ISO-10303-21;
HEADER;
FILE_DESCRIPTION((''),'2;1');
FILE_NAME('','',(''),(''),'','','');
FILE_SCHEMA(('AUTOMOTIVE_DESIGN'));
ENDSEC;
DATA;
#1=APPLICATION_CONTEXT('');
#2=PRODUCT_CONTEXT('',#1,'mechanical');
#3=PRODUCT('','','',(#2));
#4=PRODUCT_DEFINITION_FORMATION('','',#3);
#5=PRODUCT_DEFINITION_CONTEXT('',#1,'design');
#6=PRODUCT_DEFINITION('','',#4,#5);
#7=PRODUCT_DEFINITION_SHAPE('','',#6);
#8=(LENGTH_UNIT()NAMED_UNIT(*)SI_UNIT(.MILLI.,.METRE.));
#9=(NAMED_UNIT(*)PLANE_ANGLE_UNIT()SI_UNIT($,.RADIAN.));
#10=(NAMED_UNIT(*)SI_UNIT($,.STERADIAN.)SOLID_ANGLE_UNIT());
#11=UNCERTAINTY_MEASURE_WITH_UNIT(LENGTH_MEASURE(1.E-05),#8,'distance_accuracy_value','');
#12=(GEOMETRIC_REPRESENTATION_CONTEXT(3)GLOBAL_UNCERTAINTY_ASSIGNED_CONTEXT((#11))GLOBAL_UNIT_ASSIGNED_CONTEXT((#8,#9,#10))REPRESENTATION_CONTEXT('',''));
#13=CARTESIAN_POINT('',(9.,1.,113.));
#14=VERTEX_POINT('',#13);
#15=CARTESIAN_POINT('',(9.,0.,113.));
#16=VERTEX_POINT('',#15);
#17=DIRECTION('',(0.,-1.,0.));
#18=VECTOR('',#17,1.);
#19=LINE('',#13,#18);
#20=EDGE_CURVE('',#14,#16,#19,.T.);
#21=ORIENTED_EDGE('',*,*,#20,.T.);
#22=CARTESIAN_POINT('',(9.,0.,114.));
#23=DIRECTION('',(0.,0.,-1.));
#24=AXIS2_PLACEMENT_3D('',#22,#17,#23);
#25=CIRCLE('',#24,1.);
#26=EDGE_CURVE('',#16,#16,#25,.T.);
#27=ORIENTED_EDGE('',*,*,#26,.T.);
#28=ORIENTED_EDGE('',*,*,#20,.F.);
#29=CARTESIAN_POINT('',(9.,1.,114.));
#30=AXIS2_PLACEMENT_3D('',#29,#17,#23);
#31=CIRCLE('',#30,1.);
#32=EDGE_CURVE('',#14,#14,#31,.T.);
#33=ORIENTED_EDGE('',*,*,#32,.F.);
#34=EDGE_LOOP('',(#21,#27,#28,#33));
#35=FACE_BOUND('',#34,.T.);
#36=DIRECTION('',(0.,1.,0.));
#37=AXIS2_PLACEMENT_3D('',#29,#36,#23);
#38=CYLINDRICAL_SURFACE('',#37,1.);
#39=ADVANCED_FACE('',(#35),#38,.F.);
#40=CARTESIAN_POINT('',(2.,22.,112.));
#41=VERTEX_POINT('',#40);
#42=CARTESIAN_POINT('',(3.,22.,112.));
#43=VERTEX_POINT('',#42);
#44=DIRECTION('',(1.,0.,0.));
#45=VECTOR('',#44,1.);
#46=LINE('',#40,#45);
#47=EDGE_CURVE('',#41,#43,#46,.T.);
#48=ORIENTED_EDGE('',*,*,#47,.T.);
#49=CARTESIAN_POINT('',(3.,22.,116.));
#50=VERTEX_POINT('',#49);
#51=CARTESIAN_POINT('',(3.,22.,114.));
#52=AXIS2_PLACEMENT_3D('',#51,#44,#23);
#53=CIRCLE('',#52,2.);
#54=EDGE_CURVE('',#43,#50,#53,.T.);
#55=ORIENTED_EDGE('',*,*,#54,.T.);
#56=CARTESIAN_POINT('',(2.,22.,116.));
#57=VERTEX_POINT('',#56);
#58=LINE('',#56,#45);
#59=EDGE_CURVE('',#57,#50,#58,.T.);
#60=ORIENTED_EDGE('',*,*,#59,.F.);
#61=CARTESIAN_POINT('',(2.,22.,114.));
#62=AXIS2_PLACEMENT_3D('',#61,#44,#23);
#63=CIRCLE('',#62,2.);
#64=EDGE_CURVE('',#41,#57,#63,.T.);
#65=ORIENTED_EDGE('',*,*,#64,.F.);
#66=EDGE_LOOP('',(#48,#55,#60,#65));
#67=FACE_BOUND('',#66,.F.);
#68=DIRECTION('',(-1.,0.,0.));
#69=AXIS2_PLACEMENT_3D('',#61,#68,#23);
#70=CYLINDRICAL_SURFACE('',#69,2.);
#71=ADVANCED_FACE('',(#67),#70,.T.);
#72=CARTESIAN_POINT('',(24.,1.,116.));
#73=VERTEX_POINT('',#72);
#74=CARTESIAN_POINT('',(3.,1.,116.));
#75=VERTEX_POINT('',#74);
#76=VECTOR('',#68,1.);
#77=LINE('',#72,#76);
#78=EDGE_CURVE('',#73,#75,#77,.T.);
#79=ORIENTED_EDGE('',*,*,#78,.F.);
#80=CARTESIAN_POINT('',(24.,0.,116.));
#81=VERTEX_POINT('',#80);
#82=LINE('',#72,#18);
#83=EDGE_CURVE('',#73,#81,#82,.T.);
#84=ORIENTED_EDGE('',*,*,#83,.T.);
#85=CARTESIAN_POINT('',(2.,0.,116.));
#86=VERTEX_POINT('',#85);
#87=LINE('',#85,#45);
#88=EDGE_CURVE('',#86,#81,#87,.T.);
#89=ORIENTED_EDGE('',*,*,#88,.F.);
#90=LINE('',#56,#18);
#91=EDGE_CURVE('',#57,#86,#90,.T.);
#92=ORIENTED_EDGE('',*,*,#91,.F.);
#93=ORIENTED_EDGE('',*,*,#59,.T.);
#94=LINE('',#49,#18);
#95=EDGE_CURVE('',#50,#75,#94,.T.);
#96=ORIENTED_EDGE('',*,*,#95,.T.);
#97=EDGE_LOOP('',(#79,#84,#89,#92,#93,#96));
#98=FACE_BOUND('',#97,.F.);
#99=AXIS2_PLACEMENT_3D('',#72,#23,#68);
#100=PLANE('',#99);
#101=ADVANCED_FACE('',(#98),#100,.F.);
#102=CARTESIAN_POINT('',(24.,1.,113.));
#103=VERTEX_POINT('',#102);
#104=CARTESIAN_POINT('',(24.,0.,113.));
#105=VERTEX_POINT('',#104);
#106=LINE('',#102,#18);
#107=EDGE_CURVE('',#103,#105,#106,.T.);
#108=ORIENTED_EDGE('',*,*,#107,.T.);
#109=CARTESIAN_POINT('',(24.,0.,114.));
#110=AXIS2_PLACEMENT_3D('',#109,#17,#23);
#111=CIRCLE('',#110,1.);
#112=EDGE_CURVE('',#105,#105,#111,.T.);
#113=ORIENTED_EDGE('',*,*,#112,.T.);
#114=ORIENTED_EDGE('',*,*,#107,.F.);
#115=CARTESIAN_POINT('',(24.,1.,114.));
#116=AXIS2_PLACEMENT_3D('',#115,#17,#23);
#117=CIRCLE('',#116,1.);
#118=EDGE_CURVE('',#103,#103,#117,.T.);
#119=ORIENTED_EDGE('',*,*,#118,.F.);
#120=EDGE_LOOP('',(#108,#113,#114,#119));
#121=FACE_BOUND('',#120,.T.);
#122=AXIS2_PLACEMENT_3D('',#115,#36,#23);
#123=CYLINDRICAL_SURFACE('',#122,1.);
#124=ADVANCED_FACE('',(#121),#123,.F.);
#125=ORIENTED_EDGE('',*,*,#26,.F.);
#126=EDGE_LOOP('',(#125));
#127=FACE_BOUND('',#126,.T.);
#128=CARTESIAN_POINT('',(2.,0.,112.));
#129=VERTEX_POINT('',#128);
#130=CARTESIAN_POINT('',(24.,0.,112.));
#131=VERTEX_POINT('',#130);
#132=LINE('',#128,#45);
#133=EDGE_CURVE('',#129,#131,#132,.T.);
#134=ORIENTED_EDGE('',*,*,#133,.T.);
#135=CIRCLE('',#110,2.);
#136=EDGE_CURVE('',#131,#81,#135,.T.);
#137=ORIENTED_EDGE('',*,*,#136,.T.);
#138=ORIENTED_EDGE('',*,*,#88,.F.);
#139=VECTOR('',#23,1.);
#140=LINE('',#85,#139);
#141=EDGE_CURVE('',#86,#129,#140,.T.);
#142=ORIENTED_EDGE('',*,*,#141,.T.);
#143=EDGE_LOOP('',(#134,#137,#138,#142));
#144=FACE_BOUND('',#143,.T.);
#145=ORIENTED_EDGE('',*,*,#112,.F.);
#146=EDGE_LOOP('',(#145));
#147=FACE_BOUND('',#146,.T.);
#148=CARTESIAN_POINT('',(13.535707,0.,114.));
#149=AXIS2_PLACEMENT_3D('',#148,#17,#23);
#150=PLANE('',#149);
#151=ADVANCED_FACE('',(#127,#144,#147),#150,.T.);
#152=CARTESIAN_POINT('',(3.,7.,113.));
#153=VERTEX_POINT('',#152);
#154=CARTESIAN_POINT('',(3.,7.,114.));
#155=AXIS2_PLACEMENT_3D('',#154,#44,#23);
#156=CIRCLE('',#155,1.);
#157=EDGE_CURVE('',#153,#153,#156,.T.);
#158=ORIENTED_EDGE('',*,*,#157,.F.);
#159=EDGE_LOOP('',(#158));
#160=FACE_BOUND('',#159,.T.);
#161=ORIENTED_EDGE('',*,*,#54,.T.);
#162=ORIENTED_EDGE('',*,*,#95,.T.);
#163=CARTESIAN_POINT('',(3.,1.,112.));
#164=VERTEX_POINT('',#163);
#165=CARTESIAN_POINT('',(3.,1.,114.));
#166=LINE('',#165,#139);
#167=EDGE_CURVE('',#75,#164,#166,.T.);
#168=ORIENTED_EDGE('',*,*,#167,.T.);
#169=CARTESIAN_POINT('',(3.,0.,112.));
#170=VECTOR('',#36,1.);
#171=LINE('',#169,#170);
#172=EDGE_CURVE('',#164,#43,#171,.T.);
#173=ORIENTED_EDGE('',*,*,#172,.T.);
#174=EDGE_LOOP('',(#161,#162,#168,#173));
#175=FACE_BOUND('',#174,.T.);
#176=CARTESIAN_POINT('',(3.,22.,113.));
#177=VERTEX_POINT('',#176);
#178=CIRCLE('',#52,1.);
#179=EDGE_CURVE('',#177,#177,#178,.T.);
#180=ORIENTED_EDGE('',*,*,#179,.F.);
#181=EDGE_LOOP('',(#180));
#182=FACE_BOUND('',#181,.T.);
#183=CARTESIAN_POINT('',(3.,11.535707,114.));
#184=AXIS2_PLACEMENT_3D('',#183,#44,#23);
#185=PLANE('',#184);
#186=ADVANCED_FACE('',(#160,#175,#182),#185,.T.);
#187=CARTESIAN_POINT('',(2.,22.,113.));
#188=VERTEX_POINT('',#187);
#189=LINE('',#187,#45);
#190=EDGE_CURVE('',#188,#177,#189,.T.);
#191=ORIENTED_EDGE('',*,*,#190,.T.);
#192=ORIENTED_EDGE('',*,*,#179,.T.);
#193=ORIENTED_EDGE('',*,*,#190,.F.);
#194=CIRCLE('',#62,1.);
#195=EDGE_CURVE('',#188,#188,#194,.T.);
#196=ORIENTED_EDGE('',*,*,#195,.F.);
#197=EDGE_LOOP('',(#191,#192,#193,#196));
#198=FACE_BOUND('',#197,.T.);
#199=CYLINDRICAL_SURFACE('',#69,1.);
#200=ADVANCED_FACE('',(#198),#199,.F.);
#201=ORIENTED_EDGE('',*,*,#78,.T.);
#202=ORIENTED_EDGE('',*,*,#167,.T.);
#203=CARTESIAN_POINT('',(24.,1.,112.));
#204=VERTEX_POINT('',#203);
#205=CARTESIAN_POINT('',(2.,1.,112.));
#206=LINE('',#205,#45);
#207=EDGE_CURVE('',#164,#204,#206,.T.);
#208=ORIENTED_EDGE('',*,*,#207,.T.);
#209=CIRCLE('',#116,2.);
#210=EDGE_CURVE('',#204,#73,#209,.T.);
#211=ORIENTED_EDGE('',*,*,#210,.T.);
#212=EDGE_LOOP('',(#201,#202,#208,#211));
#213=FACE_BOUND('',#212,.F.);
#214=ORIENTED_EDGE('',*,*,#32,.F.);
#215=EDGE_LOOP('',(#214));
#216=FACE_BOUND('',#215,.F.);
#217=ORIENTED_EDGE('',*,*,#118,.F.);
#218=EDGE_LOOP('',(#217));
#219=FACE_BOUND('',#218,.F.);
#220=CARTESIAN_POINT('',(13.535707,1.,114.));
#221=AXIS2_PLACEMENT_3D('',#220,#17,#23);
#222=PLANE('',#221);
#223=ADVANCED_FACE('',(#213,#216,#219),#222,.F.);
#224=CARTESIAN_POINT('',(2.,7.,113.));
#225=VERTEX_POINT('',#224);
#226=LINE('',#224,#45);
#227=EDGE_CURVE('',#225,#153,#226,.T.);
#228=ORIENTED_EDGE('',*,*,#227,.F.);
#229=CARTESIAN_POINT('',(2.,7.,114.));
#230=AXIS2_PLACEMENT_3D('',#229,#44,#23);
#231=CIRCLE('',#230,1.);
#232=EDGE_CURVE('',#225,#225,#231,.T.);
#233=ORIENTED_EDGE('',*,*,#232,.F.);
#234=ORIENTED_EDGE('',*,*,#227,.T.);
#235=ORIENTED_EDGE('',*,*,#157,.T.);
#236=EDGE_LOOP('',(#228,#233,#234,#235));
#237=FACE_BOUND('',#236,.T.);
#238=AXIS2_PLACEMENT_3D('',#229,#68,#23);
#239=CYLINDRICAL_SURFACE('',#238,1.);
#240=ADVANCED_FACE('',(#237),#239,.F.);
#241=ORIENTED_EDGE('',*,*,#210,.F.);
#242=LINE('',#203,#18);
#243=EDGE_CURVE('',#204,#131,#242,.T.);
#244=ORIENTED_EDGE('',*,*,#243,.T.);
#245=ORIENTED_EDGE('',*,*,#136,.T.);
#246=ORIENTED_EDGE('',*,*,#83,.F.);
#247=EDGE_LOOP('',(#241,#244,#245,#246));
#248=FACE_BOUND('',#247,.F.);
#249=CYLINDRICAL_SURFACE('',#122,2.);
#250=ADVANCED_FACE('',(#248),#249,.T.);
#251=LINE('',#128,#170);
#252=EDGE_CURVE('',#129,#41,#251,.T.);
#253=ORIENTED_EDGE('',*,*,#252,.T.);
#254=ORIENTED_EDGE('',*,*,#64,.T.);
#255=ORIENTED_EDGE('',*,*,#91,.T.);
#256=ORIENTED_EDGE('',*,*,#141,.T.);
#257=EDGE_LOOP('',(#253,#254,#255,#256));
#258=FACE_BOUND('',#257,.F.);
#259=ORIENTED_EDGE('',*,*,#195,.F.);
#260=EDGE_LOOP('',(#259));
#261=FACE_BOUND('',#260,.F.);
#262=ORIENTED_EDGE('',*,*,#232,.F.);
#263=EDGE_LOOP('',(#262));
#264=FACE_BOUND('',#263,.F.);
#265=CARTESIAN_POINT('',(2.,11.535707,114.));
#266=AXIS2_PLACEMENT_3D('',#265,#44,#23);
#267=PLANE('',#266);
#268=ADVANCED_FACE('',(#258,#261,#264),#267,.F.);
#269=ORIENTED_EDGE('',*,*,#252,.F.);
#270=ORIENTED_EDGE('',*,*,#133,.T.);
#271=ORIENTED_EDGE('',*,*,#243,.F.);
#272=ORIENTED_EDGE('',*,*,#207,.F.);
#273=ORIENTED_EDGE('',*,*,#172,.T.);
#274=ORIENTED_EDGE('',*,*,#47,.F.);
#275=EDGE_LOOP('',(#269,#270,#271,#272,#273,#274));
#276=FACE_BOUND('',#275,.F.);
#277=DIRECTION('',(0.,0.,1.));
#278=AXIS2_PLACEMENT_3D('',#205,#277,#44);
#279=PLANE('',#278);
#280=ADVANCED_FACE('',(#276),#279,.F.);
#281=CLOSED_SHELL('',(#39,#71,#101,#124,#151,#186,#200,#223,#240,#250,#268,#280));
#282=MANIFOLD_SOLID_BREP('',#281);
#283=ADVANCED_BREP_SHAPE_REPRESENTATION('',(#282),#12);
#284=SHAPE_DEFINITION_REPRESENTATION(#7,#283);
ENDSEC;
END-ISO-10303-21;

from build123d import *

# Parameters (mm, degrees)
SKETCH118_R               = 1
PAD077_DEPTH              = 1
SKETCH117_R               = 1
PAD076_DEPTH              = 1
FUSION001_PLACEMENT_ANGLE = 90


with BuildPart() as flat001:
    # Sketch118 → Pad077 (new body)
    with BuildSketch(Plane.XY):
        with BuildLine():
            Line((0, 22), (0, 0))
            Line((0, 0), (4, 0))
            Line((4, 0), (4, 22))
            ThreePointArc((4, 22), (2, 24), (0, 22))
        make_face()
        with Locations((2, 22)):
            Circle(SKETCH118_R, mode=Mode.SUBTRACT)
        with Locations((2, 7)):
            Circle(SKETCH118_R, mode=Mode.SUBTRACT)
    extrude(amount=PAD077_DEPTH)


with BuildPart() as high001:
    # Pad076 base: copy of Flat001
    add(flat001.part)

    # Sketch117 → Pad076 (new body)
    with BuildSketch(Plane.XZ.offset(-1)):
        with BuildLine():
            Line((0, 22), (0, 0))
            Line((0, 0), (4, 0))
            Line((4, 0), (4, 22))
            ThreePointArc((4, 22), (2, 24), (0, 22))
        make_face()
        with Locations((2, 22)):
            Circle(SKETCH117_R, mode=Mode.SUBTRACT)
        with Locations((2, 7)):
            Circle(SKETCH117_R, mode=Mode.SUBTRACT)
    extrude(amount=PAD076_DEPTH)


with BuildPart() as fusion001:
    # Fusion001 base: copy of Flat001
    add(flat001.part)

    # Fusion001: union High001
    add(high001.part)


with BuildPart() as fusion001_1:
    # Fusion001 placement: moved
    add(fusion001.part.moved(Location((2, 0, 116))).rotate(Axis((2, 0, 116), (0, 1, 0)), FUSION001_PLACEMENT_ANGLE))


solid = fusion001_1.part
